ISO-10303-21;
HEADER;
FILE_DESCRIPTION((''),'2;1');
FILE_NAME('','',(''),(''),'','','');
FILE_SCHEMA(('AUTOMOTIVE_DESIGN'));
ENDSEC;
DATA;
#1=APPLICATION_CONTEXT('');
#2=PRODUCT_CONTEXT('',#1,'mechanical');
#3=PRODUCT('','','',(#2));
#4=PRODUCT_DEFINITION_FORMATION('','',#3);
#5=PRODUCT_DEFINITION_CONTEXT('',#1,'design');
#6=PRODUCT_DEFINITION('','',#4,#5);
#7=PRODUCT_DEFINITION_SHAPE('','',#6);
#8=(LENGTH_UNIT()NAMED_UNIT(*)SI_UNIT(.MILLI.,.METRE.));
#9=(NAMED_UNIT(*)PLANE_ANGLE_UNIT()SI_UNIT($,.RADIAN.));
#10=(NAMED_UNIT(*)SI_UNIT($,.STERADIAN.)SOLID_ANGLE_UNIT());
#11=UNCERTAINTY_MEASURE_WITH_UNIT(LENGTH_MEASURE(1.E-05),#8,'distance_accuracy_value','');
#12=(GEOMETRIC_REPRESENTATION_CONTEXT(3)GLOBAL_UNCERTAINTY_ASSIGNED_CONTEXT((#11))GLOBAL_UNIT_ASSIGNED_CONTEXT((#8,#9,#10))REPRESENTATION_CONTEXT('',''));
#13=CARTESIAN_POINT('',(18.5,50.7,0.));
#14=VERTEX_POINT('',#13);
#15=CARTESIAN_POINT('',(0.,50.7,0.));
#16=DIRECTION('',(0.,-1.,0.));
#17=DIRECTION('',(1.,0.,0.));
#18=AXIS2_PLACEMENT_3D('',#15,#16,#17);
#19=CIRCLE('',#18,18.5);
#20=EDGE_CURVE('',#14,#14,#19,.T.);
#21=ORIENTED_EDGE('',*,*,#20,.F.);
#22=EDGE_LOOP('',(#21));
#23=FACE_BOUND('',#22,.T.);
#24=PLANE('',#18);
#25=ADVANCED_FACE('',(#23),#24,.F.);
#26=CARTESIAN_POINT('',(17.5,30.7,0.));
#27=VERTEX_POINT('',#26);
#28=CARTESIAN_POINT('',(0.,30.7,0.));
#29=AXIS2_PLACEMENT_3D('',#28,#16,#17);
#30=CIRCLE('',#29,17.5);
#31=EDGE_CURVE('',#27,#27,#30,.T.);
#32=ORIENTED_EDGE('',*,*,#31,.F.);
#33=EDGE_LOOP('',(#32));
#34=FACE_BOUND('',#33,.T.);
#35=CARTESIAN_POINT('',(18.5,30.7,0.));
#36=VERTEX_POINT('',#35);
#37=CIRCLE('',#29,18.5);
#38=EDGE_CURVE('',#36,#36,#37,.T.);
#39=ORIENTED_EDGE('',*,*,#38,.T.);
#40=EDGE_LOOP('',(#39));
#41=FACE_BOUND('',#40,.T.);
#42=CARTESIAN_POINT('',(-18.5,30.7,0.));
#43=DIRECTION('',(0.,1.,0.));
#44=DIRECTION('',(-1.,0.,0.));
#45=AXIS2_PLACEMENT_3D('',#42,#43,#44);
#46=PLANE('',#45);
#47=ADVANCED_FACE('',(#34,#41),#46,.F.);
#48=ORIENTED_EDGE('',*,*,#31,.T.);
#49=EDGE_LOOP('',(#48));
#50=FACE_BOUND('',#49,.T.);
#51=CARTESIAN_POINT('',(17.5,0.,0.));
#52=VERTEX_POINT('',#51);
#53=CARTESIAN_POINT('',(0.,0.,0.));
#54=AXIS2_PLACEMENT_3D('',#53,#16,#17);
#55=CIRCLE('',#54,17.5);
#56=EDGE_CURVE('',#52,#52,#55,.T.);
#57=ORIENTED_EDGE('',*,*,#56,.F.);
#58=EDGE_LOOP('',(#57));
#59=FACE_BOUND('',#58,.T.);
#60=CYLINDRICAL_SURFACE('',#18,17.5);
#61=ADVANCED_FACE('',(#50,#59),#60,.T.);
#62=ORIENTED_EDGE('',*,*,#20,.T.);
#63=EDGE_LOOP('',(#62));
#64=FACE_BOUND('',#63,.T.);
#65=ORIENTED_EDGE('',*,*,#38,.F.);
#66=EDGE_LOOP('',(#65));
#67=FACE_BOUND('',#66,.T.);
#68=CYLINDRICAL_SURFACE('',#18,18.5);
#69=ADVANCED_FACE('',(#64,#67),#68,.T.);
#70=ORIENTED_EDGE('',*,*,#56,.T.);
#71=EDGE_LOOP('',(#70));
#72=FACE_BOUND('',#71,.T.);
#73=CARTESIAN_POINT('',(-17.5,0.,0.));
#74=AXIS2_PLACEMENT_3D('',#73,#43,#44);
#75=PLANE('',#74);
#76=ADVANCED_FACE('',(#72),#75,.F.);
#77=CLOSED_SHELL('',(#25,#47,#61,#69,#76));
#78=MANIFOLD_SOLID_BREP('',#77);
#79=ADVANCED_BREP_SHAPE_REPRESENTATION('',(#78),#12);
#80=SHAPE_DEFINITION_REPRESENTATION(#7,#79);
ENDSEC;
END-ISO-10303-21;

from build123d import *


with BuildPart() as part:
    # Sketch1 → Revolve1 (revolve)
    with BuildSketch(Plane.XY, mode=Mode.PRIVATE) as revolve1_sk:
        Polygon((0, 50.7), (-18.5, 50.7), (-18.5, 30.7), (-17.5, 30.7), (-17.5, 0), (0, 0), align=None)
    revolve(revolve1_sk.sketch.rotate(Axis((0, 50.7, 0), (0, 1, 0)), 180), axis=Axis((0, 50.7, 0), (0, 1, 0)))


solid = part.part
